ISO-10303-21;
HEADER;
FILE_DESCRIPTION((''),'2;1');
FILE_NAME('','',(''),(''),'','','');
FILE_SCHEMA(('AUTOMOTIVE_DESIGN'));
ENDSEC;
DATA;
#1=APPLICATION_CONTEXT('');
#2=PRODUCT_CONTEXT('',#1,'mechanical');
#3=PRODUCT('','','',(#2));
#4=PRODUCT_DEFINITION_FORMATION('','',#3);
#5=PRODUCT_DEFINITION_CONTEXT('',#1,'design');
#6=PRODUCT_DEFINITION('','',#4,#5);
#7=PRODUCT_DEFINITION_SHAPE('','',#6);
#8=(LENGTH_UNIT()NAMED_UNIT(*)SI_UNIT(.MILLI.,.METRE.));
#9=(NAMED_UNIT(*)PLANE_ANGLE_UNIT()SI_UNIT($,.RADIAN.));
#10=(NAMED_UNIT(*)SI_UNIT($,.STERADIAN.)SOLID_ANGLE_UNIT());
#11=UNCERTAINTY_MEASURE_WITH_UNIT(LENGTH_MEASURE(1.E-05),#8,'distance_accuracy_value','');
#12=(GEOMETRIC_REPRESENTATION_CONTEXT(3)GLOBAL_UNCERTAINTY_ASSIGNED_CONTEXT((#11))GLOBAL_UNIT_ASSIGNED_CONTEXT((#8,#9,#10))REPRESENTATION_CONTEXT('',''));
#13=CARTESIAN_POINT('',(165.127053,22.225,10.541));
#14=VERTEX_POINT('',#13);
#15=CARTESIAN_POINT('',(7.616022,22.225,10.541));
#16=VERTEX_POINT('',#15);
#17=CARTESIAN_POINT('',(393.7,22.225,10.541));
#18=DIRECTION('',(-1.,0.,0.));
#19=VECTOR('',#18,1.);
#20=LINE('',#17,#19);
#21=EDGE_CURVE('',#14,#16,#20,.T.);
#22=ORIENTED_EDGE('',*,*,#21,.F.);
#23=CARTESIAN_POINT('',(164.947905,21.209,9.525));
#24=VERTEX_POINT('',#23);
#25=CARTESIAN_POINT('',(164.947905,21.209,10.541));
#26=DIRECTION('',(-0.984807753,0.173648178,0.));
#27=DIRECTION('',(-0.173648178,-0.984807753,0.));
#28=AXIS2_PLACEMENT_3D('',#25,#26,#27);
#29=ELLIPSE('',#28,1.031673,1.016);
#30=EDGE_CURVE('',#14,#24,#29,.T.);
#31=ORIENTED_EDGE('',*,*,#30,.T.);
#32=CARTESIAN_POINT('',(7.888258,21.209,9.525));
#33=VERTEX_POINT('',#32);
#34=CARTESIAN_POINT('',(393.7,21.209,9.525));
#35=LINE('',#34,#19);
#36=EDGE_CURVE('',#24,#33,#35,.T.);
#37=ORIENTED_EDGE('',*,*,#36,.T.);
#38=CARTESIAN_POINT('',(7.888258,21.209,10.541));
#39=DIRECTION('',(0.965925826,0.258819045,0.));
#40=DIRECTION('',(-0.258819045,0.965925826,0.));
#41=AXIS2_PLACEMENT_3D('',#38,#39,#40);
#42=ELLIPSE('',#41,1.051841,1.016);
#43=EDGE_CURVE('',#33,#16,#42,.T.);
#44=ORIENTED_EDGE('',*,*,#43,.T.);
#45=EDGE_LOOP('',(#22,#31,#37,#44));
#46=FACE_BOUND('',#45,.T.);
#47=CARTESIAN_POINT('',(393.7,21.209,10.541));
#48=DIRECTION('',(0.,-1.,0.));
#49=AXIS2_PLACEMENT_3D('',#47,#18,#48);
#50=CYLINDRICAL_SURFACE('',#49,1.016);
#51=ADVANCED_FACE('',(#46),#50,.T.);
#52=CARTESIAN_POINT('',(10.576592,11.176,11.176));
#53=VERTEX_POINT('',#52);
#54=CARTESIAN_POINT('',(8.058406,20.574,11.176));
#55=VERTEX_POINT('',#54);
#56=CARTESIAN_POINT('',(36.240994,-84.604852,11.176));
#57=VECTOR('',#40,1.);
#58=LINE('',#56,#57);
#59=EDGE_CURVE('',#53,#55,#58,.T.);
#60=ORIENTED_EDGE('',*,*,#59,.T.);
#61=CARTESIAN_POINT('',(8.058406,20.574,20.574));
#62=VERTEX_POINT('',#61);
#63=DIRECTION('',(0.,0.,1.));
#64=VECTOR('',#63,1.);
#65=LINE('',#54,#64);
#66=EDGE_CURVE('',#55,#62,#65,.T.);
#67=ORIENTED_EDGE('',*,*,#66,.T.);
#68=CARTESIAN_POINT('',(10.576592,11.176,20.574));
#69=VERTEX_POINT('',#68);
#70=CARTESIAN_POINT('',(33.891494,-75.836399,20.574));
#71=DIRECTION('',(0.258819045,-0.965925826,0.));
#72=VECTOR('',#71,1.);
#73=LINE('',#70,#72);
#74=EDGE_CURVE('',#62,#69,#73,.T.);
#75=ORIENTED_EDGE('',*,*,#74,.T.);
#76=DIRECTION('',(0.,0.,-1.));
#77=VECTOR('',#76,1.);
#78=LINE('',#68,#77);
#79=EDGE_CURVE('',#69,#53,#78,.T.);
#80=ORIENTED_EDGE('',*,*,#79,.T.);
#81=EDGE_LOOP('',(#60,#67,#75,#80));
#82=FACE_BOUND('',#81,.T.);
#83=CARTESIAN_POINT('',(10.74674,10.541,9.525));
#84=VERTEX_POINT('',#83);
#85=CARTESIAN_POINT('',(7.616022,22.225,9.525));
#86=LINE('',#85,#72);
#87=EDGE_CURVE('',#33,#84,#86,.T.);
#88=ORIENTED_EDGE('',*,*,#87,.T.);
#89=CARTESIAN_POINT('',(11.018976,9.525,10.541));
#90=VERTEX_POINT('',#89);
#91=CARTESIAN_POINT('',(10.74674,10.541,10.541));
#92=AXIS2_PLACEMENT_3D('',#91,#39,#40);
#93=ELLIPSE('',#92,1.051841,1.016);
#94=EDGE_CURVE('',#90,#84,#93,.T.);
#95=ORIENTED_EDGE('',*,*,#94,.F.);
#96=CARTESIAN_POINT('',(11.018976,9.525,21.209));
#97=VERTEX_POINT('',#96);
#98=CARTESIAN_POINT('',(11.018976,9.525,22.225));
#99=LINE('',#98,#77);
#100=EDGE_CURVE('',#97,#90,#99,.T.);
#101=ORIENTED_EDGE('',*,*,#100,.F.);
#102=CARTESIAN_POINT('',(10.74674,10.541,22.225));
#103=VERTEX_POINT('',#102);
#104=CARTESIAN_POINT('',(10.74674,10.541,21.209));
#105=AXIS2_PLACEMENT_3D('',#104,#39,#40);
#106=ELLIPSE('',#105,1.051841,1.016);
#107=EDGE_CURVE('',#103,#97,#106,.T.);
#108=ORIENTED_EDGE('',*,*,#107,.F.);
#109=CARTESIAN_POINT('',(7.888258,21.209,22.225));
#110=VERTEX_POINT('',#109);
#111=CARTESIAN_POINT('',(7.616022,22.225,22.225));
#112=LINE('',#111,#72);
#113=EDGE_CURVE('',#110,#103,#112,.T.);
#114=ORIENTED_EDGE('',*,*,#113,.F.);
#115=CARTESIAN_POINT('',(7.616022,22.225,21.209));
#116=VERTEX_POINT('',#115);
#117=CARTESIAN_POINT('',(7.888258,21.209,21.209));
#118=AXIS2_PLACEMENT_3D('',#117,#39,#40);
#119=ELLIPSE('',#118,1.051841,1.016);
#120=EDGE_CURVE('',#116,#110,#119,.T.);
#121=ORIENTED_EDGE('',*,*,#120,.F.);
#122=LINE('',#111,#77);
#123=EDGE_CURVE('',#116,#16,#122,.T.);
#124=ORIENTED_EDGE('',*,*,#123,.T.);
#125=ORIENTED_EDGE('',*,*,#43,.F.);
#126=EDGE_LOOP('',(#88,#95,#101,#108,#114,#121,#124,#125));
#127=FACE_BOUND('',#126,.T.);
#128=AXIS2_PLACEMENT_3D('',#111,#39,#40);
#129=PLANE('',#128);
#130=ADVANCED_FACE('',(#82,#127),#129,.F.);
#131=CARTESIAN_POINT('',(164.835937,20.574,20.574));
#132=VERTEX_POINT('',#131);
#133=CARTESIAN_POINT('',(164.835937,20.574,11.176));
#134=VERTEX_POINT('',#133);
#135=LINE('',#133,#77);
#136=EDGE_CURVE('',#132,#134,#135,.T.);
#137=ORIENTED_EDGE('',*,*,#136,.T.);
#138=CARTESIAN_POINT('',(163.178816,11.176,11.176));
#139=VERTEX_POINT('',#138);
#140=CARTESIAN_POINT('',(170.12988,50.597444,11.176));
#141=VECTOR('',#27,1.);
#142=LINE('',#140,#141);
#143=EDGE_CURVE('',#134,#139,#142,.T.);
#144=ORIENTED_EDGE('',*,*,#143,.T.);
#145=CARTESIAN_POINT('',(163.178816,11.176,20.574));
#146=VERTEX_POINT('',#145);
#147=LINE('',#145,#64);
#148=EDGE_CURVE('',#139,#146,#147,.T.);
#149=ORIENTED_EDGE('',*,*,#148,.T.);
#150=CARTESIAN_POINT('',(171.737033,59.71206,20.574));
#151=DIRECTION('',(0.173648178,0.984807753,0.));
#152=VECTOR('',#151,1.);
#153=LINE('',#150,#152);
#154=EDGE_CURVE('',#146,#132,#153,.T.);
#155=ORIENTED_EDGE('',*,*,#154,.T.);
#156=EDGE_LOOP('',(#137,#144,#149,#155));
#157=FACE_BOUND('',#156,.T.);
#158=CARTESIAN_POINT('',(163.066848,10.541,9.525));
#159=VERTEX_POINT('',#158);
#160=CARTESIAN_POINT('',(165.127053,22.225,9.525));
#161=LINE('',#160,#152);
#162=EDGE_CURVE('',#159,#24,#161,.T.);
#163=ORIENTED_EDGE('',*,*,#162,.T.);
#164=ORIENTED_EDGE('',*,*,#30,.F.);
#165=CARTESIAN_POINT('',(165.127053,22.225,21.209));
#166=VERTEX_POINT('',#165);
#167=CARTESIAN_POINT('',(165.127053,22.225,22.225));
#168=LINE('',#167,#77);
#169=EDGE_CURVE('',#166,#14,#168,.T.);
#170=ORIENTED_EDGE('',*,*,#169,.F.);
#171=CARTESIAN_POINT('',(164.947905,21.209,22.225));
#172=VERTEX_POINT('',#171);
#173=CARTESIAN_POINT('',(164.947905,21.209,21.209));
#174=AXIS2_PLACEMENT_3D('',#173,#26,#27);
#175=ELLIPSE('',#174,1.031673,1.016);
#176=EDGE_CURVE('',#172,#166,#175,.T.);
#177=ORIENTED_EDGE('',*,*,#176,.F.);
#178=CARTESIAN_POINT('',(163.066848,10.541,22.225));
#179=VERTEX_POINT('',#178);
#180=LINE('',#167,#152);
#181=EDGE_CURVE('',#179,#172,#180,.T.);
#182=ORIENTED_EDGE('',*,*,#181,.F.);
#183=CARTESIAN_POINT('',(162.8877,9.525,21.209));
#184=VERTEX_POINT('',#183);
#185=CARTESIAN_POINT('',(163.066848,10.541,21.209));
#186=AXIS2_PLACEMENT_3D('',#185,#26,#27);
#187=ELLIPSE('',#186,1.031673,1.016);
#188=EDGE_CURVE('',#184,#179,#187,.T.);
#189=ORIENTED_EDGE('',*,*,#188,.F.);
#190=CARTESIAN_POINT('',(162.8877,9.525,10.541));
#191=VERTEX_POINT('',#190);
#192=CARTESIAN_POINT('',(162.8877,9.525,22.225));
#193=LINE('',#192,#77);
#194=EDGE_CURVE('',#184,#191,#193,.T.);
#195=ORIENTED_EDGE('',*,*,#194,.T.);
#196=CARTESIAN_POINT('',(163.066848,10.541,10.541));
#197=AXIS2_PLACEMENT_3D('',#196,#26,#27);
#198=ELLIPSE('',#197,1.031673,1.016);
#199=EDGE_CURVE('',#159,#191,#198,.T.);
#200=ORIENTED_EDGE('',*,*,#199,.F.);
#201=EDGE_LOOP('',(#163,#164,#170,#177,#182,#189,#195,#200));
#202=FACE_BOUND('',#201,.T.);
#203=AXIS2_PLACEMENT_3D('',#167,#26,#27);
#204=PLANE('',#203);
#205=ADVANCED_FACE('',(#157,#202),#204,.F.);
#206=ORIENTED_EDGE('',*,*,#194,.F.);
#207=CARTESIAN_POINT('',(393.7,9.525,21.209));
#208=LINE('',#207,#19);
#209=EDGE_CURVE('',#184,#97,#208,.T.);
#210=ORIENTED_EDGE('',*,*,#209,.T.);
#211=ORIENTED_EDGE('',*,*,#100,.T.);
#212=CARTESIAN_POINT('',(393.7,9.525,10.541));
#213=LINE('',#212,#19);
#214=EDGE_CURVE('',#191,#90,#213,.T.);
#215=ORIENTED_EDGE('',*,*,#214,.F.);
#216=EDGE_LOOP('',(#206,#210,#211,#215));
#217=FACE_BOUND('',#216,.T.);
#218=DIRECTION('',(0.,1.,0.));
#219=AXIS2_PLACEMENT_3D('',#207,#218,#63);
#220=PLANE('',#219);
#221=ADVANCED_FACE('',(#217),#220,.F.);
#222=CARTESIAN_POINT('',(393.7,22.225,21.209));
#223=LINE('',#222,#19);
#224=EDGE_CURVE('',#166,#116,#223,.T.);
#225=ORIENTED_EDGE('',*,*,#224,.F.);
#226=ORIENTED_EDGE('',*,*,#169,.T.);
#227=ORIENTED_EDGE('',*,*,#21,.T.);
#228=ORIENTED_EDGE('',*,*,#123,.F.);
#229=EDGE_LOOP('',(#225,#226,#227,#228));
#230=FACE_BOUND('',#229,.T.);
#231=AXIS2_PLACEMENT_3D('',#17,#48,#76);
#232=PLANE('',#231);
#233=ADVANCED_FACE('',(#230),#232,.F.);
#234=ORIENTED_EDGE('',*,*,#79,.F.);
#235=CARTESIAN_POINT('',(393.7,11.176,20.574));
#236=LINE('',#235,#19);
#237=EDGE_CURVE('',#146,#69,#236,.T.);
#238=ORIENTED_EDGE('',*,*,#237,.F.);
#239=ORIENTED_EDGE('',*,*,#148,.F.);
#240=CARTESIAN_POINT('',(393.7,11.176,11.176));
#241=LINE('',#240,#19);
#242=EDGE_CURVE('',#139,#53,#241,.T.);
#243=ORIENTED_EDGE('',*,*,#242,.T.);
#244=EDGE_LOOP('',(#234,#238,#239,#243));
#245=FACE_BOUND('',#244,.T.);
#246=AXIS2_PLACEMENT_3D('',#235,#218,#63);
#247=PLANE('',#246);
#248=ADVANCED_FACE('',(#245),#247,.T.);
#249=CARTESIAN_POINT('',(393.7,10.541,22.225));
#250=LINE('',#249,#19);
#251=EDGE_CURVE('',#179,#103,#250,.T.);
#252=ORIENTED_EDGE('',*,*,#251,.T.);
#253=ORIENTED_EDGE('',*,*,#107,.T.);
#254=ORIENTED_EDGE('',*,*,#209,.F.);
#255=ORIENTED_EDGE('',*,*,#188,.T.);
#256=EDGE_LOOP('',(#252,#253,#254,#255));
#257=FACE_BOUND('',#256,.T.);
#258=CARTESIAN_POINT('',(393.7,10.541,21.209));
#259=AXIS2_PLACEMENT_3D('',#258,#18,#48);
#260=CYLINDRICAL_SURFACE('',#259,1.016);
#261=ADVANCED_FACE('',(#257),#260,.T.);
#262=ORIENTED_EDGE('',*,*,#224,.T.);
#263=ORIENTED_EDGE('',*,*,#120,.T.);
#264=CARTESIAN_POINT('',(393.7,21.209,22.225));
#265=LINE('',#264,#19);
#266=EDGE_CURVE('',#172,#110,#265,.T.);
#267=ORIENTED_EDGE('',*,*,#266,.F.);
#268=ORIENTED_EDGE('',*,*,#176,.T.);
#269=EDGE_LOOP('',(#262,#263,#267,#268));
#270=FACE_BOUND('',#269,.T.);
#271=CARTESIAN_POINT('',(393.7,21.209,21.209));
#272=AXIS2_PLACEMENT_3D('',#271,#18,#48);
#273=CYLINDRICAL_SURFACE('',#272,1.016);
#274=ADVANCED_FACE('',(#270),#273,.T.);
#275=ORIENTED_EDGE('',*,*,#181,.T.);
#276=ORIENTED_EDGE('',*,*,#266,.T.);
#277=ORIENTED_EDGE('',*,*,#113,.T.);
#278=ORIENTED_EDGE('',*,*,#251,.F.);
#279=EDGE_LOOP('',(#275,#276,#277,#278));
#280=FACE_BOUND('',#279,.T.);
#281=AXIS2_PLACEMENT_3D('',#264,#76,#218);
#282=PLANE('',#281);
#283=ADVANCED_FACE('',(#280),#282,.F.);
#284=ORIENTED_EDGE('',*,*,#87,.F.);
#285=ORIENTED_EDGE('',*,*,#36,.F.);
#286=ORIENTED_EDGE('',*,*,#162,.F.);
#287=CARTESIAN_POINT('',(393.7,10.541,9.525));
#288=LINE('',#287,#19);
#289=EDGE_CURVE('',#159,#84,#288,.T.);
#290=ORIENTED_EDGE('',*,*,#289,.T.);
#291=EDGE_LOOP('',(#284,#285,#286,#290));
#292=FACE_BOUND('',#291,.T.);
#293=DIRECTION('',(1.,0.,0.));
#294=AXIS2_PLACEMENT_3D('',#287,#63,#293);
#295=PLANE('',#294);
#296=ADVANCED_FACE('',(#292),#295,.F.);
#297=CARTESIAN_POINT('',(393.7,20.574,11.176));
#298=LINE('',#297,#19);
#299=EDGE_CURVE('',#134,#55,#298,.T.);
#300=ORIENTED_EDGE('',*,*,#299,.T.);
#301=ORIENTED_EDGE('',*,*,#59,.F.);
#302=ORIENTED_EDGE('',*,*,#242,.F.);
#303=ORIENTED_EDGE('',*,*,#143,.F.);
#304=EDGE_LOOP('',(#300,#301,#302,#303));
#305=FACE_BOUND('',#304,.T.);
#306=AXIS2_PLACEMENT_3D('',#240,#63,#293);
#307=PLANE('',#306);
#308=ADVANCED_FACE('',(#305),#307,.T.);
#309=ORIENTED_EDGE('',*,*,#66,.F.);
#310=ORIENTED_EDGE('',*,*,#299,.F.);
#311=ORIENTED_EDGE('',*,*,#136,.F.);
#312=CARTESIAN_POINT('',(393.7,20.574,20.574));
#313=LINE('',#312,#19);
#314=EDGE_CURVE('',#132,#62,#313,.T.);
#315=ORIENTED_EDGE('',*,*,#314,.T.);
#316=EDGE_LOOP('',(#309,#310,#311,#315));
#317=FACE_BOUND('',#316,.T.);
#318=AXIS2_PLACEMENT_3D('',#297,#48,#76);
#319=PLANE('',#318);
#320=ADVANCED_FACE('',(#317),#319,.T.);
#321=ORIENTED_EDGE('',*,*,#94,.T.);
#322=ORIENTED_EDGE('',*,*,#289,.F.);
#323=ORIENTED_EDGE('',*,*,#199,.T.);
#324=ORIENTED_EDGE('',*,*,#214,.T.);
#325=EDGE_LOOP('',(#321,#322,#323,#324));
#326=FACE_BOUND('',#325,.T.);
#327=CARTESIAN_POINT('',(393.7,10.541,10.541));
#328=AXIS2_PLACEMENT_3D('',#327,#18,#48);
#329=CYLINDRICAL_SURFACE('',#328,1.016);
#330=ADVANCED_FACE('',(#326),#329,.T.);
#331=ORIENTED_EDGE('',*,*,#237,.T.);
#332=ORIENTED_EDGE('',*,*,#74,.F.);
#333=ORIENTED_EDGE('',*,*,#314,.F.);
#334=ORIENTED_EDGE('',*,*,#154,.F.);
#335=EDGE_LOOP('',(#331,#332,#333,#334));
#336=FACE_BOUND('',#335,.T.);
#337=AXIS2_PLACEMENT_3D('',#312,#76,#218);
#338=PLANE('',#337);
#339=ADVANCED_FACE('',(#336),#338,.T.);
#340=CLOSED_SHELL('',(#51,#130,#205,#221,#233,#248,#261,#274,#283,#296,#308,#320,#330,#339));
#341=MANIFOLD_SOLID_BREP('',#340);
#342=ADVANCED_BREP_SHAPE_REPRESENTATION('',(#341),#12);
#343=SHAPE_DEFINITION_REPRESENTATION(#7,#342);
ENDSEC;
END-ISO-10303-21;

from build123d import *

# Parameters (mm, degrees)
SKETCH1_W           = 23.495
SKETCH1_H           = 23.495
BOSS_EXTRUDE1_DEPTH = 393.7
SCALE1_SCALE_X      = 1
SCALE1_SCALE_Y      = 0.4
SCALE1_SCALE_Z      = 0.4
CUT_EXTRUDE3_DEPTH  = 395.531279762


with BuildPart() as part:
    # Sketch1 → Boss-Extrude1 (new body)
    with BuildSketch(Plane(origin=(0, 0, 0), x_dir=(0, 0, -1), z_dir=(1, 0, 0))):
        with BuildLine():
            Line((0, 2.54), (0, 29.21))
            ThreePointArc((0, 29.21), (-0.743948776, 31.006051224), (-2.54, 31.75))
            Line((-2.54, 31.75), (-29.21, 31.75))
            ThreePointArc((-29.21, 31.75), (-31.006051224, 31.006051224), (-31.75, 29.21))
            Line((-31.75, 29.21), (-31.75, 2.54))
            ThreePointArc((-31.75, 2.54), (-31.006051224, 0.743948776), (-29.21, 0))
            Line((-29.21, 0), (-2.54, 0))
            ThreePointArc((-2.54, 0), (-0.743948776, 0.743948776), (0, 2.54))
        make_face()
        with Locations((-15.875, 15.875)):
            Rectangle(SKETCH1_W, SKETCH1_H, mode=Mode.SUBTRACT)
    extrude(amount=BOSS_EXTRUDE1_DEPTH)


with BuildPart() as part_1:
    # Scale1: scaled about (196.85, 15.875, 15.875)
    add(part.part.scale((SCALE1_SCALE_X, SCALE1_SCALE_Y, SCALE1_SCALE_Z), about=(196.85, 15.875, 15.875)))

    # Sketch5 → Cut-Extrude3 (cut, through all)
    with BuildSketch(Plane(origin=(0, 0, 9.525), x_dir=(-1, 0, 0), z_dir=(0, 0, -1))):
        Polygon((-195.500423074, 9.525), (-192.09746833, 22.225), (-165.127052911, 22.225), (-162.887700256, 9.525), align=None)
        Polygon((-11.018976282, 9.525), (0, 9.525), (0, 22.225), (-7.616021538, 22.225), align=None)
    extrude(amount=-CUT_EXTRUDE3_DEPTH, mode=Mode.SUBTRACT)


with BuildPart() as body_2:
    # of the pieces the cut leaves, the one that is kept (cut_extrude3_keep)
    add(part_1.part.solids().sort_by_distance((7.888257918, 21.209, 9.525))[0])


solid = body_2.part
